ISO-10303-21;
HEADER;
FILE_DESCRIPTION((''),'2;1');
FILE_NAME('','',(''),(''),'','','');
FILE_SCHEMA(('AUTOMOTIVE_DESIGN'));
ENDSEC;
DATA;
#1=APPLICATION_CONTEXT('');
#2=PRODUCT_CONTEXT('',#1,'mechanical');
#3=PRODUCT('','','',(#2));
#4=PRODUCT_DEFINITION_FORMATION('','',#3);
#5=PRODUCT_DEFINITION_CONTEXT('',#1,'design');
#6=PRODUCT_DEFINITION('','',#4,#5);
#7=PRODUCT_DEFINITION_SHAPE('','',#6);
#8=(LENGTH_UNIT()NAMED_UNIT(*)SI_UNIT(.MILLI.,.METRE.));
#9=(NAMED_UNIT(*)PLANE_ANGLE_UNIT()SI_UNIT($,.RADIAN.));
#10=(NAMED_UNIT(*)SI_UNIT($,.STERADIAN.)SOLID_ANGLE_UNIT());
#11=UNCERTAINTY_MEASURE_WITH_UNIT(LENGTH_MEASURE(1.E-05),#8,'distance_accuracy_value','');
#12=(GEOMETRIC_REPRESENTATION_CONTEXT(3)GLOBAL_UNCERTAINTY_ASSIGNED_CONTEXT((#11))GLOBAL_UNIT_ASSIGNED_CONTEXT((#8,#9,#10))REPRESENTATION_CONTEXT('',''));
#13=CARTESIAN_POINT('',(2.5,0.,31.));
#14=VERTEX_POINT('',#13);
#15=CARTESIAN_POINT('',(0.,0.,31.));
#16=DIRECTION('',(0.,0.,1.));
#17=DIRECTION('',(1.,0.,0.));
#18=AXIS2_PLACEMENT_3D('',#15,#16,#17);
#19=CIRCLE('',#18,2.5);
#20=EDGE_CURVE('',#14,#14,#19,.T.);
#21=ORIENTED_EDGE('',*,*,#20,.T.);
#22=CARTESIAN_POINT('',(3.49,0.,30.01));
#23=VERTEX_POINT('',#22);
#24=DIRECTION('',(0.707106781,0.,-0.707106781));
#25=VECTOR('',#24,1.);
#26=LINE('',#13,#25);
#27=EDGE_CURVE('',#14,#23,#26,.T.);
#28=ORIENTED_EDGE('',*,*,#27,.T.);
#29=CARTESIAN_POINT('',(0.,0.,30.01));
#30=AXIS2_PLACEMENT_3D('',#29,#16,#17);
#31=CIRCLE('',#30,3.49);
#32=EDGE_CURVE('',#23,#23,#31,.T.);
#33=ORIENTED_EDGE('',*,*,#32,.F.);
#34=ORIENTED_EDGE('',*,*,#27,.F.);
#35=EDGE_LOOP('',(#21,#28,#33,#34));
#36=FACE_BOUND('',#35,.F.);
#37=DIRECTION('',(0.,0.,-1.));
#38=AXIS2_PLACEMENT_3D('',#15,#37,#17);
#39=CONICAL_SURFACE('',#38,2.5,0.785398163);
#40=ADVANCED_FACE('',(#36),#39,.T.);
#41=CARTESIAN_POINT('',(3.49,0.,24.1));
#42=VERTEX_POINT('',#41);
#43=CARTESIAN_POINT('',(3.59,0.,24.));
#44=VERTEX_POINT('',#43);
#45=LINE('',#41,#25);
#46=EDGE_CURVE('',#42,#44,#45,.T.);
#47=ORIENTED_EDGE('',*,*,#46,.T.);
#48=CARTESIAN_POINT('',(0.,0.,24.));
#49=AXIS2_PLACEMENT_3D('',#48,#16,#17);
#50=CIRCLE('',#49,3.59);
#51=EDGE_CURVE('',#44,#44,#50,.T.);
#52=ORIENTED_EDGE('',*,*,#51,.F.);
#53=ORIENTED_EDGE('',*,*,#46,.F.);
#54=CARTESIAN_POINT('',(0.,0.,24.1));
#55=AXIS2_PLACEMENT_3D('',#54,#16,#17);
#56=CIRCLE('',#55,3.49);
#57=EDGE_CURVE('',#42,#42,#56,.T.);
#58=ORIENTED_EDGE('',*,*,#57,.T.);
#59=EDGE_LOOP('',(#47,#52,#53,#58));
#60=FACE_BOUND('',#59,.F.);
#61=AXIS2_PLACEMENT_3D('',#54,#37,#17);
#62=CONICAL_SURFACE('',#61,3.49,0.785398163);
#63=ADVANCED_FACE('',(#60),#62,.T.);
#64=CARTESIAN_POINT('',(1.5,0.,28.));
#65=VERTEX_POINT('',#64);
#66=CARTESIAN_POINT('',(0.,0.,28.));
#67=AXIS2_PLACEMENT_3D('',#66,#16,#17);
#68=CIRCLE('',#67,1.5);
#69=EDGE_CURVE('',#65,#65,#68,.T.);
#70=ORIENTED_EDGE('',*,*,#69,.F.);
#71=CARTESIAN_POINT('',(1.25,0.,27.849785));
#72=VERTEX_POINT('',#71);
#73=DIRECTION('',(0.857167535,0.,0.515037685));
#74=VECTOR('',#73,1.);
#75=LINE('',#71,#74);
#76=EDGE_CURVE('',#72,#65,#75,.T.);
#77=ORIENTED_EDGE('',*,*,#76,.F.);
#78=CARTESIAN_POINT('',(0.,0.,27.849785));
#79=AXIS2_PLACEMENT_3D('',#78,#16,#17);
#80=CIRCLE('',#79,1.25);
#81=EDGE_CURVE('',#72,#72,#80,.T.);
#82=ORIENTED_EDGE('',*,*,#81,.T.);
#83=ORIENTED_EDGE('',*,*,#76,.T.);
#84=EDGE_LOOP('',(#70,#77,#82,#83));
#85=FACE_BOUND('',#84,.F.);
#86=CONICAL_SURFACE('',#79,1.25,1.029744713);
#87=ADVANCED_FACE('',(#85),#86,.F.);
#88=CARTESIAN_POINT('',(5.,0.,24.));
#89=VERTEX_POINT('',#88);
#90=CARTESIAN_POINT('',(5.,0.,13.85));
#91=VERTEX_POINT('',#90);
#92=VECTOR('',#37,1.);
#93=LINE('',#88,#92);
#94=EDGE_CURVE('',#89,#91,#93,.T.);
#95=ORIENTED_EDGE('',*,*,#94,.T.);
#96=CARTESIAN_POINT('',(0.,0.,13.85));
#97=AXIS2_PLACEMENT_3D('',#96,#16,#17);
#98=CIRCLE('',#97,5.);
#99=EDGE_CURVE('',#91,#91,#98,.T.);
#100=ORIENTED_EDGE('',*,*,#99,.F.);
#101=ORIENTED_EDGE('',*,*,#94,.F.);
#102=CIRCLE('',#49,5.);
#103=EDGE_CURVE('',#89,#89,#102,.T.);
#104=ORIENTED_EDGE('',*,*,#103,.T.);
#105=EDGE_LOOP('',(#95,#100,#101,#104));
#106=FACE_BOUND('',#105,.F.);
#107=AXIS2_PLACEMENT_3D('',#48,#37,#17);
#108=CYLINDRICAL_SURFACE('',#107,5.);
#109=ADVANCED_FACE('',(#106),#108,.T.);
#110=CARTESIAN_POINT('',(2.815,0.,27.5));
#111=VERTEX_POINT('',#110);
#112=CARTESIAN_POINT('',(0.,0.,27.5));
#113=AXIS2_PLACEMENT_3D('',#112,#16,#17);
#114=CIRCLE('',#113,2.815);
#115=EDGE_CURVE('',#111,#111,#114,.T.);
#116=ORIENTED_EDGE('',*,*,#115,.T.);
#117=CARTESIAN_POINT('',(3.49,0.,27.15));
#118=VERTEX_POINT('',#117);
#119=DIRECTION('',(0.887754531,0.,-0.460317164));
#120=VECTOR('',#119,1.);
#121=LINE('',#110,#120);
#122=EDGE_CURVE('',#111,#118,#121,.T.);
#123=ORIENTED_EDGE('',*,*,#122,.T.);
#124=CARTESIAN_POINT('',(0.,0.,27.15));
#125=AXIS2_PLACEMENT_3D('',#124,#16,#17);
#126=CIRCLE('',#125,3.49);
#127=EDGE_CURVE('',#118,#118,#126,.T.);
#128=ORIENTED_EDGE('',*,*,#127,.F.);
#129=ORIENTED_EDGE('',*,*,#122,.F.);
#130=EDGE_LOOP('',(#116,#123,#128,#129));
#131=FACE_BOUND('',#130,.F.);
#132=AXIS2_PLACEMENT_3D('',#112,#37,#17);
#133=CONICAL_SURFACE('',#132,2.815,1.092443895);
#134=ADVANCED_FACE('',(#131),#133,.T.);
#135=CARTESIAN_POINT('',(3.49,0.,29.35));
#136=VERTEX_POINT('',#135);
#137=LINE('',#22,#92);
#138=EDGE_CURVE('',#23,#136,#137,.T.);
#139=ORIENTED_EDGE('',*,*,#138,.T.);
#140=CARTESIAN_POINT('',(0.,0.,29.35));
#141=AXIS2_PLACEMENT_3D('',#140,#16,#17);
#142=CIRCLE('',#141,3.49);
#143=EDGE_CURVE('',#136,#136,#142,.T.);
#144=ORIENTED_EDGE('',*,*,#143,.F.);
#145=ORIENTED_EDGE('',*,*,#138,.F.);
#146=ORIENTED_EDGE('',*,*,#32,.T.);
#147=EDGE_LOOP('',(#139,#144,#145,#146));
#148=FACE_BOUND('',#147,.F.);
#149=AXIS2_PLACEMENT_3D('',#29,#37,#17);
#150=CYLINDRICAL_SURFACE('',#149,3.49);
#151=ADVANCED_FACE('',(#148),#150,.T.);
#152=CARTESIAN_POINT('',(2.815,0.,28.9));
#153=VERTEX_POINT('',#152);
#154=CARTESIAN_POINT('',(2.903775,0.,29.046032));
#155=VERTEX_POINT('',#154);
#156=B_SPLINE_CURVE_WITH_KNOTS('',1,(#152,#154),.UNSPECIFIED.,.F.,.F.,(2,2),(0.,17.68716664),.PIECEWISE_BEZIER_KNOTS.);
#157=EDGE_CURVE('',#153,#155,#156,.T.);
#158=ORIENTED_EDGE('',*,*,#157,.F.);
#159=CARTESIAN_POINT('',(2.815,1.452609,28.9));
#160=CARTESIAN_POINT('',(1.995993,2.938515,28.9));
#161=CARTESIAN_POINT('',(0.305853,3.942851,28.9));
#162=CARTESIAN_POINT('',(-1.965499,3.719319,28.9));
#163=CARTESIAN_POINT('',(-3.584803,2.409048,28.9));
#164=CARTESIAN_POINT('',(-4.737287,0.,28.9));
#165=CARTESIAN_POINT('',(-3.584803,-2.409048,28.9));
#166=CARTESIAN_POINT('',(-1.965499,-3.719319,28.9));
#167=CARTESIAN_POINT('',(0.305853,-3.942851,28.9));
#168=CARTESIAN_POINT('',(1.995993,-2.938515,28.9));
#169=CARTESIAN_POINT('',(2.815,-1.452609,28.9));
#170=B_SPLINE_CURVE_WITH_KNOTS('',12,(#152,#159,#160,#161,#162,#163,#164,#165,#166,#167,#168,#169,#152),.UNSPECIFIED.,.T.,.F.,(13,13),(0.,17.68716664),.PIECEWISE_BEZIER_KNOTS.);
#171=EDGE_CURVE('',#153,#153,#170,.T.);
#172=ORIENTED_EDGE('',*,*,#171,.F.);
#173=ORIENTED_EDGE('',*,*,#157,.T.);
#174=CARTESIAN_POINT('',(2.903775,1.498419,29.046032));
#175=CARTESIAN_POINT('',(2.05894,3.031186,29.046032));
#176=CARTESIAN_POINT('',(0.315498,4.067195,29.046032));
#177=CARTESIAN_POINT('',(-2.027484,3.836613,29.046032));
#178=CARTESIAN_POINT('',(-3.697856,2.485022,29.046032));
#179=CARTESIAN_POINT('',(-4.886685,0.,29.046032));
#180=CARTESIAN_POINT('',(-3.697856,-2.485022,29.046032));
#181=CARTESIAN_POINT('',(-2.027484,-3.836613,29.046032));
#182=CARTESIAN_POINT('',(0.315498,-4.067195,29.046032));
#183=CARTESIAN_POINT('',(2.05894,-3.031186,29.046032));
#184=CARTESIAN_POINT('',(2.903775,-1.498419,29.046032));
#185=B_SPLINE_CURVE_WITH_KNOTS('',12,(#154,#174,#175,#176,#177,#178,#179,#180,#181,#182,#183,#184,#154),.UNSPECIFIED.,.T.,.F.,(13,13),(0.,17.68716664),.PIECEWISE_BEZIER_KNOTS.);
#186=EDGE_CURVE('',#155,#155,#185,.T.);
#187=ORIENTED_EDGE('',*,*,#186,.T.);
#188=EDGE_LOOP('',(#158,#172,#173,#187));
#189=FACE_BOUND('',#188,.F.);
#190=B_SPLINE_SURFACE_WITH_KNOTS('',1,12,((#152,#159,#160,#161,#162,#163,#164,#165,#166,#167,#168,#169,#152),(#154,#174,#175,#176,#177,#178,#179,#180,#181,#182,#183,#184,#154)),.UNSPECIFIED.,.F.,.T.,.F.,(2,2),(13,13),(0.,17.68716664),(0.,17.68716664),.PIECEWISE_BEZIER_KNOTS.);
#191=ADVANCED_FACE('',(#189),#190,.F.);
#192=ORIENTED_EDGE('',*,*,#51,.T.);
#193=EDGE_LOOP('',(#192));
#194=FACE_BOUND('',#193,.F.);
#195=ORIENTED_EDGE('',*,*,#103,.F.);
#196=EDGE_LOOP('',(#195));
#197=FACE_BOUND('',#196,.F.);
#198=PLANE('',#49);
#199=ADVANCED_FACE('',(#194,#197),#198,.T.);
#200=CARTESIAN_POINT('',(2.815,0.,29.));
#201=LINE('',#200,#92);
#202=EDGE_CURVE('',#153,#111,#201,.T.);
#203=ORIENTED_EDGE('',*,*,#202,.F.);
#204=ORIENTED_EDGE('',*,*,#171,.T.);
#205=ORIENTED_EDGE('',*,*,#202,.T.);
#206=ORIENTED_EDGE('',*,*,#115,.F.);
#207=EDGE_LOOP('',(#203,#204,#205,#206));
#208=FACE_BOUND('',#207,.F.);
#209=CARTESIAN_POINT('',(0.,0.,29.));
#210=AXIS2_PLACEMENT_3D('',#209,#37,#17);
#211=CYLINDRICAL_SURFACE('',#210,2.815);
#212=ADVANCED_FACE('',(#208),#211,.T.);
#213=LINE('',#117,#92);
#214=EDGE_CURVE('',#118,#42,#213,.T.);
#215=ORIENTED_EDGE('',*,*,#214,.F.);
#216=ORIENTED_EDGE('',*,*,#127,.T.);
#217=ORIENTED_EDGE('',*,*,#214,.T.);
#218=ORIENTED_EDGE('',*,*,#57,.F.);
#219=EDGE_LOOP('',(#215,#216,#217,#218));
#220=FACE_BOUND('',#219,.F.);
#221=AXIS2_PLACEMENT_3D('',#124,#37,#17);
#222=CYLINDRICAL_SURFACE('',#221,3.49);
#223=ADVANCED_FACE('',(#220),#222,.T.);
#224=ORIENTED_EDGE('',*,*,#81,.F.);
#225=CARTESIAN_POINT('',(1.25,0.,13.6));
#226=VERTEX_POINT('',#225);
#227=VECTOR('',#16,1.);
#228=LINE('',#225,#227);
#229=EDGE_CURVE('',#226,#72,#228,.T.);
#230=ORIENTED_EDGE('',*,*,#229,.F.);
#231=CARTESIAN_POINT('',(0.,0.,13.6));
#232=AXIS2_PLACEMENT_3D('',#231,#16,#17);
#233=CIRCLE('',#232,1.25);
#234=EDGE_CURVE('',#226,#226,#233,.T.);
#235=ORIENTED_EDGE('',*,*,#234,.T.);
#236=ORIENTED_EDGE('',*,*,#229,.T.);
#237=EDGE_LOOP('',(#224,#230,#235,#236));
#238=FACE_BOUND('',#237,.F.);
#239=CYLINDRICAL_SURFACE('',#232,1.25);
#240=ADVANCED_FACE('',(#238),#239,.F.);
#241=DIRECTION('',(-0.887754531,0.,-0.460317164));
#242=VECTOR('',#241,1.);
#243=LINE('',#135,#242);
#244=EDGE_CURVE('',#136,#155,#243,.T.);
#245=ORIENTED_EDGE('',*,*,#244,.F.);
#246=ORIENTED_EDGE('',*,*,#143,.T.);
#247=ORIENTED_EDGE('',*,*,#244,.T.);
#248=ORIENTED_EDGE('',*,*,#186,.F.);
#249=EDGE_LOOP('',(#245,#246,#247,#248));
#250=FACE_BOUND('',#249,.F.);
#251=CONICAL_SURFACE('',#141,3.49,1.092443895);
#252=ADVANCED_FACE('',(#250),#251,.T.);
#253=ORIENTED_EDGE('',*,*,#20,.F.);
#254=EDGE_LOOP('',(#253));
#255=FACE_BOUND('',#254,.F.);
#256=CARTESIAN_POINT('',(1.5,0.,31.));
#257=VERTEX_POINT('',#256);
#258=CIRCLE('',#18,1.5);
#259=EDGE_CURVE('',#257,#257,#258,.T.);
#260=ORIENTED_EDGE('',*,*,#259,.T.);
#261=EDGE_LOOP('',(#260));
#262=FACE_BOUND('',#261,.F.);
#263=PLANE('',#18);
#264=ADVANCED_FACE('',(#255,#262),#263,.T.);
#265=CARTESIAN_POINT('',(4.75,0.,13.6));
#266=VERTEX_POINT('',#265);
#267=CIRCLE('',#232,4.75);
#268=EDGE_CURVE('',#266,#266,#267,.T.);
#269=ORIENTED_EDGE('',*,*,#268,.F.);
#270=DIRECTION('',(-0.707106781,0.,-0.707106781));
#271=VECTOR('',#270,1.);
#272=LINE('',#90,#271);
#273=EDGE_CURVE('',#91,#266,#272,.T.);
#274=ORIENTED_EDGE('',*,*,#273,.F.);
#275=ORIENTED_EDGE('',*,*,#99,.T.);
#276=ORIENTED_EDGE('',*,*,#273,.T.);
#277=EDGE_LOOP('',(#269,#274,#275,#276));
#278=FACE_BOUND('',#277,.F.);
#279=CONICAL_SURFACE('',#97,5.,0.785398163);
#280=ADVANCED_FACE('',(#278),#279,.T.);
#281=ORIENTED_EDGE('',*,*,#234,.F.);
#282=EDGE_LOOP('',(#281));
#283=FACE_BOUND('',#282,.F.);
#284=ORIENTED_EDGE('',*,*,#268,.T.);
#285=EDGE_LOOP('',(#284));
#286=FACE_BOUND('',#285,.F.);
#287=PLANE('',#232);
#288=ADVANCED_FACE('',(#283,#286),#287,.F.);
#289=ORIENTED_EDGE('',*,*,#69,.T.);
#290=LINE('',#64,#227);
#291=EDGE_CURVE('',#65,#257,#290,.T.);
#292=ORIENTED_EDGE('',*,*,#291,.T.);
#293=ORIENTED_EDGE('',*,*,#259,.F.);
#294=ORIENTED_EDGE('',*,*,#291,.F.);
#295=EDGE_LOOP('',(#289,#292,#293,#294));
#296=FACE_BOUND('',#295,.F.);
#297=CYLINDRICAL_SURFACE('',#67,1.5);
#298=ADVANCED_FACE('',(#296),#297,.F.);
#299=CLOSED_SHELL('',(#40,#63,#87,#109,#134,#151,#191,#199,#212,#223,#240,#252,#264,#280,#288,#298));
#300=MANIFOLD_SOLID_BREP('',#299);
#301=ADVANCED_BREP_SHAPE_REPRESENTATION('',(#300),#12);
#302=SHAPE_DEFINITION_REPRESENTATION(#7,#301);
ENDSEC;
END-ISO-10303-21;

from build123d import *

# Parameters (mm, degrees)
CHAMFER_SIZE    = 0.25
CHAMFER001_SIZE = 0.1
CHAMFER002_SIZE = 0.1


with BuildPart() as part:
    # Sketch003 → Revolution003 (revolve)
    with BuildSketch(Plane.XZ):
        Polygon((2.5, 31), (3.49, 30.01), (3.49, 29.35), (2.815, 29), (2.815, 27.5), (3.49, 27.15), (3.49, 24), (5, 24), (5, 13.6), (1.25, 13.6), (1.25, 27.849785), (1.5, 28), (1.5, 31), align=None)
    revolve(axis=Axis((0, 0, 0), (0, 0, 1)))

    # Chamfer
    chamfer_edges = [part.edges().sort_by_distance(p)[0] for p in [
        (-5, 0, 13.6),
    ]]
    chamfer(chamfer_edges, length=CHAMFER_SIZE)

    # Chamfer001
    chamfer001_edges = [part.edges().sort_by_distance(p)[0] for p in [
        (-2.815, 0, 29),
    ]]
    chamfer(chamfer001_edges, length=CHAMFER001_SIZE)

    # Chamfer002
    chamfer002_edges = [part.edges().sort_by_distance(p)[0] for p in [
        (-3.49, 0, 24),
    ]]
    chamfer(chamfer002_edges, length=CHAMFER002_SIZE)


solid = part.part
